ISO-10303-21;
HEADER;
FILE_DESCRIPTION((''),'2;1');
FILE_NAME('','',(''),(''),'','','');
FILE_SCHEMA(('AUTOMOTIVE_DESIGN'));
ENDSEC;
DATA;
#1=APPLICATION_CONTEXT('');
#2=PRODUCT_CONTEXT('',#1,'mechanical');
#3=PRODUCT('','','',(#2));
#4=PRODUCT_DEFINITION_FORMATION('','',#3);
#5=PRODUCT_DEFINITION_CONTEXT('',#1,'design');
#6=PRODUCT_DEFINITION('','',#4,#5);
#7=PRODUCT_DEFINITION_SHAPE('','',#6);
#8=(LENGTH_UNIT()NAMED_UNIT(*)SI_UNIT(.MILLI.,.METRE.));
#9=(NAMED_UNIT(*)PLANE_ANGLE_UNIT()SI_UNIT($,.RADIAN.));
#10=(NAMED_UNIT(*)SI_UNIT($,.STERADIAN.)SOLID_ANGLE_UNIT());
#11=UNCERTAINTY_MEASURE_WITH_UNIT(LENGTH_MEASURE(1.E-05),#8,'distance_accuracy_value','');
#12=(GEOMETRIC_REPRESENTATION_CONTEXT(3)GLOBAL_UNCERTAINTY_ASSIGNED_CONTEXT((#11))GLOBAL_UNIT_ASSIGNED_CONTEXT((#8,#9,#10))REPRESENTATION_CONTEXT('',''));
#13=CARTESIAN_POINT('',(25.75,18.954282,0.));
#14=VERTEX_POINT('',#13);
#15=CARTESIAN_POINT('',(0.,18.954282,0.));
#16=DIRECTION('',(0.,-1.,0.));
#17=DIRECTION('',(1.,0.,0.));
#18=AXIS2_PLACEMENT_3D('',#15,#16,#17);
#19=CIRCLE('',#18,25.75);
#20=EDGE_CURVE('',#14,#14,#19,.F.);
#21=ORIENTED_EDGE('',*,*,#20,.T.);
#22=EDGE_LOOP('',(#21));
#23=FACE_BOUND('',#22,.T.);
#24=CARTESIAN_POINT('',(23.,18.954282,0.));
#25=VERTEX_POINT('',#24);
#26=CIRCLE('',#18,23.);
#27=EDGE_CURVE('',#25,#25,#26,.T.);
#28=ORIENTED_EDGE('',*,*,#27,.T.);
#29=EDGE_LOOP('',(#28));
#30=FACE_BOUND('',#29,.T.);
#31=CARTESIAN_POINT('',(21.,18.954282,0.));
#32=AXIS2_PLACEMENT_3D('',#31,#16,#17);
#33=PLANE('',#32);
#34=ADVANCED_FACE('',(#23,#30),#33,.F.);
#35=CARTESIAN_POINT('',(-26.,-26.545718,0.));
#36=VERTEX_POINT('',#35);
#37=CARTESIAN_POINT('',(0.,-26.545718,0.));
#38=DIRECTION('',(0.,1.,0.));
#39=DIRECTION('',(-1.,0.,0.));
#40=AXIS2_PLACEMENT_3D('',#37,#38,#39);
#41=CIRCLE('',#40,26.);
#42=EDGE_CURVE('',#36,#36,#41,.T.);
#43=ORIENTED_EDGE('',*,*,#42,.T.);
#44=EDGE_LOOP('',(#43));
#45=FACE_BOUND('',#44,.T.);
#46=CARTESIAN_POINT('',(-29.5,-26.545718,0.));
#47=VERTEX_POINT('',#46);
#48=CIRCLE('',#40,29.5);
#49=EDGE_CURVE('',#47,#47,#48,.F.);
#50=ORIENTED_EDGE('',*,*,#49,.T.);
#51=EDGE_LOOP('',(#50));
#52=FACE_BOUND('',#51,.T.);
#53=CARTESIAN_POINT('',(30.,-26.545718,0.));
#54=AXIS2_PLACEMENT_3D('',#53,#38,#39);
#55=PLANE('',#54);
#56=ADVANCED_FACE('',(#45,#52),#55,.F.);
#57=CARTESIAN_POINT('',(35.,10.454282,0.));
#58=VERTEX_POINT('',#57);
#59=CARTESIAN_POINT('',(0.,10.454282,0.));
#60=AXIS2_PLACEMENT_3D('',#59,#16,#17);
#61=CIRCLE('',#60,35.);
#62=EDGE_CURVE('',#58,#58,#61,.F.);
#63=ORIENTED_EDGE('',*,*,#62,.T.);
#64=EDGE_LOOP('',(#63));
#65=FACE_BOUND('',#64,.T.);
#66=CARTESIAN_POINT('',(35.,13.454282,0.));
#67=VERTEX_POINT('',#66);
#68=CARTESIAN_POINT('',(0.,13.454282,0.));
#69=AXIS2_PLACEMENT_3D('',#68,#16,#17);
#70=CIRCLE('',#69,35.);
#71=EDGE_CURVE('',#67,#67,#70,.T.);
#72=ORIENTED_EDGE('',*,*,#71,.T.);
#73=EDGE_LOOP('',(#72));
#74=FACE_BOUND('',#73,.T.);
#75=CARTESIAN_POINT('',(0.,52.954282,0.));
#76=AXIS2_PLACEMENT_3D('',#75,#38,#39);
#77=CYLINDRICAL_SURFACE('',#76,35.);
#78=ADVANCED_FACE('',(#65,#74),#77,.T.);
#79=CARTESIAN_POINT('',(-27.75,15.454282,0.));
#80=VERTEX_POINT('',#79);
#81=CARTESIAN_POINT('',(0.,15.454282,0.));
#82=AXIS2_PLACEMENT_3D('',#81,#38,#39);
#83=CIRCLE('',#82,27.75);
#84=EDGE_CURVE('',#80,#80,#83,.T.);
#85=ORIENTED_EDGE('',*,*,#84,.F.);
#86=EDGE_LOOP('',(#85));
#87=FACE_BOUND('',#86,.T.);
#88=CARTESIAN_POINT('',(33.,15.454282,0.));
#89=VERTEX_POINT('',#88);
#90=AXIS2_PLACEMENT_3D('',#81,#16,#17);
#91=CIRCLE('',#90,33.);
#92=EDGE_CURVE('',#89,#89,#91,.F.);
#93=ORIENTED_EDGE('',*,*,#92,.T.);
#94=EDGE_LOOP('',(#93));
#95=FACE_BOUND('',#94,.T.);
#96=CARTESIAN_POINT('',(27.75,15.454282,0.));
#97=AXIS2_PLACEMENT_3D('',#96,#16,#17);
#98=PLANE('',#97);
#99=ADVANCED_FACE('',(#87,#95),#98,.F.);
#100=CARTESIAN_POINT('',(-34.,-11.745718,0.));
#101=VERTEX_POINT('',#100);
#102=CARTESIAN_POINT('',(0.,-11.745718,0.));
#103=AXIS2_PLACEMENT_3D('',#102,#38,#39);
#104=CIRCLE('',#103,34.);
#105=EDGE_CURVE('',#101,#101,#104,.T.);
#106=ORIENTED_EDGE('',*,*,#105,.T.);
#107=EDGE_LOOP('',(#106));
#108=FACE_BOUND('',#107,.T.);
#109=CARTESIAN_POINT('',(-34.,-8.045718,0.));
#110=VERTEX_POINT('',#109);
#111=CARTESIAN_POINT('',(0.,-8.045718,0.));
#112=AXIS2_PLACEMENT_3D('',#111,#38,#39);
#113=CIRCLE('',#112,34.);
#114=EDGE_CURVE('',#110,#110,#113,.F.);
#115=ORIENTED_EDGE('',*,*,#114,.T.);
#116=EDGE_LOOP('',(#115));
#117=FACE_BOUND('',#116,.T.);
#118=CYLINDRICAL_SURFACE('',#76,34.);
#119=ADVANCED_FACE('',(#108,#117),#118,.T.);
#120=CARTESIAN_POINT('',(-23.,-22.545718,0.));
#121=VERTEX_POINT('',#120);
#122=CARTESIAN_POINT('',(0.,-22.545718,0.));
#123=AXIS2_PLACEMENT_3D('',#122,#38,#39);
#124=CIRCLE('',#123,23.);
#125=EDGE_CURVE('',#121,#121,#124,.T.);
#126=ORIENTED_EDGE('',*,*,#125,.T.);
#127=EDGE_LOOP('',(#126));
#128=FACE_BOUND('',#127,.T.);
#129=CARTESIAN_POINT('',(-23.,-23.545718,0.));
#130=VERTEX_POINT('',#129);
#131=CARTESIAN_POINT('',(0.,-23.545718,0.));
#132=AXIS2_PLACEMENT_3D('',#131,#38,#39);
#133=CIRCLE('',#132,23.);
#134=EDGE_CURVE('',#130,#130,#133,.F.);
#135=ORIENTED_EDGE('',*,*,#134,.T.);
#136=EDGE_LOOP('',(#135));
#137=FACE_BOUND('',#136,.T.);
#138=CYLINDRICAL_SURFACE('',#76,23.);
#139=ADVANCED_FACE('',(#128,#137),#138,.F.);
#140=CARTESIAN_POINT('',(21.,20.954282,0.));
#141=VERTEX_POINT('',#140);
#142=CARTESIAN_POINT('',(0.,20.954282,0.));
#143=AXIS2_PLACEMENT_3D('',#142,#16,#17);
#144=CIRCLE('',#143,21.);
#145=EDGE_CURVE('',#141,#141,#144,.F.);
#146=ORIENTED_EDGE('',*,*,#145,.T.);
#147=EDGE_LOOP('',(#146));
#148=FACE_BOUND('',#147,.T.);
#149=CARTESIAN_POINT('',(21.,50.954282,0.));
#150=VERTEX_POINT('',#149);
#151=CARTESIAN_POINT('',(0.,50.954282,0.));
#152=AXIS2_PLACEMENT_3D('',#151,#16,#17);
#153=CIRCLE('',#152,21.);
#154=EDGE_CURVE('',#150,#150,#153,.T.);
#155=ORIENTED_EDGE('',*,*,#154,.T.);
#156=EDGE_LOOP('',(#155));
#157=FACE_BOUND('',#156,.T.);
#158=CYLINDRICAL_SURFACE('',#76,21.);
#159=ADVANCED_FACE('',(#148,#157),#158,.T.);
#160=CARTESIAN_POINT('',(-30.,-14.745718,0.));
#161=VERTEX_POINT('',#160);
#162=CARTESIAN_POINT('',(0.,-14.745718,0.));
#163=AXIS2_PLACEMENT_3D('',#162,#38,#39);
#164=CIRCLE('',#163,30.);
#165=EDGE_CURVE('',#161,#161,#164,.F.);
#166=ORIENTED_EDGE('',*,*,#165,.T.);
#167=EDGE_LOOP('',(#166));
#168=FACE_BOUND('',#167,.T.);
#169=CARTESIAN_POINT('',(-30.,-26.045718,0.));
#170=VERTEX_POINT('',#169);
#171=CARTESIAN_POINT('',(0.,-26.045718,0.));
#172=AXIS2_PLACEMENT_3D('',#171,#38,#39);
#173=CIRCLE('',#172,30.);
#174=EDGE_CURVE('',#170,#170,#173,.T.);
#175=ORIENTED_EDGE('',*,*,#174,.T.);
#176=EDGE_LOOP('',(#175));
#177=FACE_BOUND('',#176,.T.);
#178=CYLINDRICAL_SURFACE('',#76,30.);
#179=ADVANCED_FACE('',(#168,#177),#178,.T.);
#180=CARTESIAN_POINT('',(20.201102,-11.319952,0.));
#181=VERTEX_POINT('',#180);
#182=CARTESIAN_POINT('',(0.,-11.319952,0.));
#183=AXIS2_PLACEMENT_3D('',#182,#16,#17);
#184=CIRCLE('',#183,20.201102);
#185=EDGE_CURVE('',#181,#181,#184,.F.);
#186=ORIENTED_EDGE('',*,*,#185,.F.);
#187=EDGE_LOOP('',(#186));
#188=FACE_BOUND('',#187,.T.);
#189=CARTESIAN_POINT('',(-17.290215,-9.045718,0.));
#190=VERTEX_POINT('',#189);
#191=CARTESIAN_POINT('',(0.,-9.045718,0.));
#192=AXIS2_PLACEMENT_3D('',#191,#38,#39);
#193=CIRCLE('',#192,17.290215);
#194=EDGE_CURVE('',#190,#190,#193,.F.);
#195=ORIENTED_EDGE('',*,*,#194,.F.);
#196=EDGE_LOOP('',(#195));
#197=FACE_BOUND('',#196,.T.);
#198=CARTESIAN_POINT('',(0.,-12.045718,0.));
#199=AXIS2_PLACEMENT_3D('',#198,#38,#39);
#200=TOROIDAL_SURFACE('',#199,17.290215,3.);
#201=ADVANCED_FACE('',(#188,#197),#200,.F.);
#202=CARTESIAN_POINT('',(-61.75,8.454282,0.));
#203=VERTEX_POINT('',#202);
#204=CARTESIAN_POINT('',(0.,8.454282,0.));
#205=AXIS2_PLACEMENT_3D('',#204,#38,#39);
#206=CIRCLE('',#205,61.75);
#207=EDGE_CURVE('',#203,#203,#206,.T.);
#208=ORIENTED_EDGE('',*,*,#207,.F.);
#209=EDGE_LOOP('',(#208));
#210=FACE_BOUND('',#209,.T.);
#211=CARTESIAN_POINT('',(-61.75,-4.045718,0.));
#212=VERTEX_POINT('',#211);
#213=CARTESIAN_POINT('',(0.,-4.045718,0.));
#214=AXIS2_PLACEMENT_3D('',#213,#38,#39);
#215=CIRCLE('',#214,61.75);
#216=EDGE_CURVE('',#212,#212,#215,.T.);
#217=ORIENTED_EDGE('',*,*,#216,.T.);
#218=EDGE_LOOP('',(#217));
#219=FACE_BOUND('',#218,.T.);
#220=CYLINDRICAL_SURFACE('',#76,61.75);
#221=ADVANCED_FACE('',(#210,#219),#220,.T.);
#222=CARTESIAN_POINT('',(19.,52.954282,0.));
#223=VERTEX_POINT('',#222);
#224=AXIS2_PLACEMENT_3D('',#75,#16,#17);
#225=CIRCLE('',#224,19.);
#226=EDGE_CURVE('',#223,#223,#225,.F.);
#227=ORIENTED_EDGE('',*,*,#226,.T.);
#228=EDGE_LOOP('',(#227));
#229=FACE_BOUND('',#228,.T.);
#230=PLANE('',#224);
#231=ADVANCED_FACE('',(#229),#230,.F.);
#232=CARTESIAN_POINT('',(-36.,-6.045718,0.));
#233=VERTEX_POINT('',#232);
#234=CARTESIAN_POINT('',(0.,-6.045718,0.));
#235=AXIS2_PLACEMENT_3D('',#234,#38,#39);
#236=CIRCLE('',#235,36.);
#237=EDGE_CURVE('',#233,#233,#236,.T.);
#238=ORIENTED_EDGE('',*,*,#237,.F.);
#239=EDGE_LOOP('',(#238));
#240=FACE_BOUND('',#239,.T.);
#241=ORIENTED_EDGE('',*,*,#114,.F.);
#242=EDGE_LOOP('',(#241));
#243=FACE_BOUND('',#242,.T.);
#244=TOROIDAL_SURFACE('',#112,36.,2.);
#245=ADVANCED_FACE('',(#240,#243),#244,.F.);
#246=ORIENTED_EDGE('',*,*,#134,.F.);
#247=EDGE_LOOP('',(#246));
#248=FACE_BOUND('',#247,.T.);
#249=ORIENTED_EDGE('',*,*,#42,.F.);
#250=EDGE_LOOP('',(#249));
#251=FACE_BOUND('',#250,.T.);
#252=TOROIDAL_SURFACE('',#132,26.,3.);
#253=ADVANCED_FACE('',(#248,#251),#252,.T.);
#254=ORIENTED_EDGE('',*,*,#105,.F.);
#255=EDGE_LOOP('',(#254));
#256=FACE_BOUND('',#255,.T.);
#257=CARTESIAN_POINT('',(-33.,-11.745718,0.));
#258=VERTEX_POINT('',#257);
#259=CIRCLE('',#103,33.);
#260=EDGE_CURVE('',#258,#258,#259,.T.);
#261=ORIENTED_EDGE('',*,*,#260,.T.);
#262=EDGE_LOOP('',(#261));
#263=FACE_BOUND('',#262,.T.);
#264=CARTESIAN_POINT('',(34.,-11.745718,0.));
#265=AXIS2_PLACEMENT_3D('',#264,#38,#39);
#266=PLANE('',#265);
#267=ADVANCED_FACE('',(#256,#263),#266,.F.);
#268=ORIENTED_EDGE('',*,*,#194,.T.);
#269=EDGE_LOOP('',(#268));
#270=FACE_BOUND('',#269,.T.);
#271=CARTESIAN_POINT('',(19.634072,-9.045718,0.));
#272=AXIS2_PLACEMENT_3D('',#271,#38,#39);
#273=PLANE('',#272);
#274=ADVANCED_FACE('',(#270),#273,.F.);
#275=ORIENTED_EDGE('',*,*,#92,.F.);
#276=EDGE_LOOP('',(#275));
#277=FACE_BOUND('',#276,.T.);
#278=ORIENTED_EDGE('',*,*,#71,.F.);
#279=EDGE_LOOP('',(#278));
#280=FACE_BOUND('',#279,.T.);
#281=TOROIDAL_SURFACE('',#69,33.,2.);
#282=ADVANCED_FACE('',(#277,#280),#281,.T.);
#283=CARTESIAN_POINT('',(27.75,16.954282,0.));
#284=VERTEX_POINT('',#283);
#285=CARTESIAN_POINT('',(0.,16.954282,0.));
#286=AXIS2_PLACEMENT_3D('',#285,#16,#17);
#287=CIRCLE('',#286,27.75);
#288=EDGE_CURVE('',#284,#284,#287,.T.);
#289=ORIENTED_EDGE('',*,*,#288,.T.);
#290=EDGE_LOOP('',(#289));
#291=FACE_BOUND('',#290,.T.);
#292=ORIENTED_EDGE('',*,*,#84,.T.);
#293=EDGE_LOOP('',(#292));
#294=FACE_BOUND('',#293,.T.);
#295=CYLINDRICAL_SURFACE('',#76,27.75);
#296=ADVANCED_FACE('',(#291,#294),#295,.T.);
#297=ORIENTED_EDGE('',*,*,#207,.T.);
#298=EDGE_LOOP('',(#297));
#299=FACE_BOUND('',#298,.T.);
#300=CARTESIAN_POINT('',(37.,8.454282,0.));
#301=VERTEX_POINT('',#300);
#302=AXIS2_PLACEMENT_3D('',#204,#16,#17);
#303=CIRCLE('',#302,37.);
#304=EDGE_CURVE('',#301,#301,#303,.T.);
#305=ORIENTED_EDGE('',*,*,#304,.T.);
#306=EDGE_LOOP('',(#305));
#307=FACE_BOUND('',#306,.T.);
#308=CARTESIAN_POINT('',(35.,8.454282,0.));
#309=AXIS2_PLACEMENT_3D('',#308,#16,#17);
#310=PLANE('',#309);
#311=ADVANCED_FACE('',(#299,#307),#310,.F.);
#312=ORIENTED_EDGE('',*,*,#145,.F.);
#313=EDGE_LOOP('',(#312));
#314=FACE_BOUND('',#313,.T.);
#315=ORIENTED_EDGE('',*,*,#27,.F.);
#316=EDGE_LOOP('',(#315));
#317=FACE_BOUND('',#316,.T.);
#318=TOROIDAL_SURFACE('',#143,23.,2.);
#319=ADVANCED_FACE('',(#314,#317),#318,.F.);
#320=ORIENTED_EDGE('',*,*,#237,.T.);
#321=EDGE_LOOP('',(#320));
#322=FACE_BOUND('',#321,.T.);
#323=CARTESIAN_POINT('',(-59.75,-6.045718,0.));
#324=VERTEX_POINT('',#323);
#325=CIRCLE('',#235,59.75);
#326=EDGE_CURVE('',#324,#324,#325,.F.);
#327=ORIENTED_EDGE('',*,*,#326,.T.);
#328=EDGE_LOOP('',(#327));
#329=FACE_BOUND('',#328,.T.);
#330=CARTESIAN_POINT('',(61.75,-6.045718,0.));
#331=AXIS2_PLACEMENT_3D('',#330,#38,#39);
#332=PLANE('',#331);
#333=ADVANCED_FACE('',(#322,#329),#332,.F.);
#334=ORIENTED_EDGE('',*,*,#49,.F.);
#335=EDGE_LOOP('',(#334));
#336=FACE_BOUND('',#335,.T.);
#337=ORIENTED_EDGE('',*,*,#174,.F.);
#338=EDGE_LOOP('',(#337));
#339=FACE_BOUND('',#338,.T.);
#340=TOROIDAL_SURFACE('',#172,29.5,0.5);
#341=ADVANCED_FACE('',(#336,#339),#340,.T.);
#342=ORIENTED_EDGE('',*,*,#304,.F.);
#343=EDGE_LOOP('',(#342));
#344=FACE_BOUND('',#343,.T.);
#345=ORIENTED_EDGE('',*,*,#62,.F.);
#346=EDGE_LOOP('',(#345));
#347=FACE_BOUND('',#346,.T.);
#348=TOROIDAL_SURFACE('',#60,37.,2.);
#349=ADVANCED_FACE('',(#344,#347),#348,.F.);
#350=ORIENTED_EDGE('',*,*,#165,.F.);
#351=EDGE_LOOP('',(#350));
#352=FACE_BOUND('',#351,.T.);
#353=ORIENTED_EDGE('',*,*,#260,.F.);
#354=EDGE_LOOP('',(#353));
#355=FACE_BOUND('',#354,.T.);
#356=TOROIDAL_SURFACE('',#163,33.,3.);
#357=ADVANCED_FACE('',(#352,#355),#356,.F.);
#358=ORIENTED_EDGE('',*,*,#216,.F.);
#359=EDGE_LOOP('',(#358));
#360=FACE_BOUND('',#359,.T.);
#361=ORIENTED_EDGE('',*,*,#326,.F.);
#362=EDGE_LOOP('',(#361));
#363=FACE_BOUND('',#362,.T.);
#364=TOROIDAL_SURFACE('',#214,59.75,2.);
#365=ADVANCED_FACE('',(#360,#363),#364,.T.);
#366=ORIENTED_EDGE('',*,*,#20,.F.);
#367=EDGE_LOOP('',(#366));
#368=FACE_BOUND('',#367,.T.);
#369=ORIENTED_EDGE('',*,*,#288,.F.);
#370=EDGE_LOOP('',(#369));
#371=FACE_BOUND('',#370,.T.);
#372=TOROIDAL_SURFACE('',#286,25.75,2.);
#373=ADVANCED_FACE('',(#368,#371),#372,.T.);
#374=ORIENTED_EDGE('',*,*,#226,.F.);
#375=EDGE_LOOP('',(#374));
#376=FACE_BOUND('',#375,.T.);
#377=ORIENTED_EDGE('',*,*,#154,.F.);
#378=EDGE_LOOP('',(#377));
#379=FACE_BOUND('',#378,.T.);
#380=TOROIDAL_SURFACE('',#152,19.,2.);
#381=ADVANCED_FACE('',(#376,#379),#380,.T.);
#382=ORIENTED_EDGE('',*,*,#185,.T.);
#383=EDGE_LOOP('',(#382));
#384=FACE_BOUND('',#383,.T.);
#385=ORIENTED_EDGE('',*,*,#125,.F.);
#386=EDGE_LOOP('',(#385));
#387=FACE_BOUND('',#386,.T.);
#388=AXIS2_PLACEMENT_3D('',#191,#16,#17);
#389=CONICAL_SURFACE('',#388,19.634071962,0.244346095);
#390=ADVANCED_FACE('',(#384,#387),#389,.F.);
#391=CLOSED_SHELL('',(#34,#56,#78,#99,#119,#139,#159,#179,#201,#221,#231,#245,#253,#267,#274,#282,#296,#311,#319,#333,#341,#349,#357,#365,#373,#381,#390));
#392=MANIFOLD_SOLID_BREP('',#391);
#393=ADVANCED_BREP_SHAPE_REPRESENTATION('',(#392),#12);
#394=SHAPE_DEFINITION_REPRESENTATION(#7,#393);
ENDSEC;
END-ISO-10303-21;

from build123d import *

# Parameters (mm, degrees)
FILETE4_R  = 2
FILETE5_R  = 2
FILETE6_R  = 2
FILETE7_R  = 2
FILETE9_R  = 3
FILETE10_R = 0.5


with BuildPart() as part:
    # Esboço1 → Revolução1 (revolve)
    with BuildSketch(Plane.XY, mode=Mode.PRIVATE) as revolu_o1_sk:
        Polygon((0, 52.954282397), (21, 52.954282397), (21, 18.954282397), (27.75, 18.954282397), (27.75, 15.454282397), (35, 15.454282397), (35, 8.454282397), (61.75, 8.454282397), (61.75, -6.045717603), (34, -6.045717603), (34, -11.745717603), (30, -11.745717603), (30, -26.545717603), (23, -26.545717603), (23, -22.545717603), (19.634071962, -9.045717603), (0, -9.045717603), align=None)
    revolve(revolu_o1_sk.sketch.rotate(Axis((0, 52.954282397, 0), (0, -1, 0)), 180), axis=Axis((0, 52.954282397, 0), (0, -1, 0)))

    # Filete4
    filete4_edges = [part.edges().sort_by_distance(p)[0] for p in [
        (21, 52.954282397, 0),
    ]]
    fillet(filete4_edges, radius=FILETE4_R)

    # Filete5
    filete5_edges = [part.edges().sort_by_distance(p)[0] for p in [
        (27.75, 18.954282397, 0),
        (21, 18.954282397, 0),
    ]]
    fillet(filete5_edges, radius=FILETE5_R)

    # Filete6
    filete6_edges = [part.edges().sort_by_distance(p)[0] for p in [
        (61.75, -6.045717603, 0),
        (35, 8.454282397, 0),
        (35, 15.454282397, 0),
    ]]
    fillet(filete6_edges, radius=FILETE6_R)

    # Filete7
    filete7_edges = [part.edges().sort_by_distance(p)[0] for p in [
        (34, -6.045717603, 0),
    ]]
    fillet(filete7_edges, radius=FILETE7_R)

    # Filete9
    filete9_edges = [part.edges().sort_by_distance(p)[0] for p in [
        (19.634071962, -9.045717603, 0),
        (23, -26.545717603, 0),
        (30, -11.745717603, 0),
    ]]
    fillet(filete9_edges, radius=FILETE9_R)

    # Filete10
    filete10_edges = [part.edges().sort_by_distance(p)[0] for p in [
        (30, -26.545717603, 0),
    ]]
    fillet(filete10_edges, radius=FILETE10_R)


solid = part.part
